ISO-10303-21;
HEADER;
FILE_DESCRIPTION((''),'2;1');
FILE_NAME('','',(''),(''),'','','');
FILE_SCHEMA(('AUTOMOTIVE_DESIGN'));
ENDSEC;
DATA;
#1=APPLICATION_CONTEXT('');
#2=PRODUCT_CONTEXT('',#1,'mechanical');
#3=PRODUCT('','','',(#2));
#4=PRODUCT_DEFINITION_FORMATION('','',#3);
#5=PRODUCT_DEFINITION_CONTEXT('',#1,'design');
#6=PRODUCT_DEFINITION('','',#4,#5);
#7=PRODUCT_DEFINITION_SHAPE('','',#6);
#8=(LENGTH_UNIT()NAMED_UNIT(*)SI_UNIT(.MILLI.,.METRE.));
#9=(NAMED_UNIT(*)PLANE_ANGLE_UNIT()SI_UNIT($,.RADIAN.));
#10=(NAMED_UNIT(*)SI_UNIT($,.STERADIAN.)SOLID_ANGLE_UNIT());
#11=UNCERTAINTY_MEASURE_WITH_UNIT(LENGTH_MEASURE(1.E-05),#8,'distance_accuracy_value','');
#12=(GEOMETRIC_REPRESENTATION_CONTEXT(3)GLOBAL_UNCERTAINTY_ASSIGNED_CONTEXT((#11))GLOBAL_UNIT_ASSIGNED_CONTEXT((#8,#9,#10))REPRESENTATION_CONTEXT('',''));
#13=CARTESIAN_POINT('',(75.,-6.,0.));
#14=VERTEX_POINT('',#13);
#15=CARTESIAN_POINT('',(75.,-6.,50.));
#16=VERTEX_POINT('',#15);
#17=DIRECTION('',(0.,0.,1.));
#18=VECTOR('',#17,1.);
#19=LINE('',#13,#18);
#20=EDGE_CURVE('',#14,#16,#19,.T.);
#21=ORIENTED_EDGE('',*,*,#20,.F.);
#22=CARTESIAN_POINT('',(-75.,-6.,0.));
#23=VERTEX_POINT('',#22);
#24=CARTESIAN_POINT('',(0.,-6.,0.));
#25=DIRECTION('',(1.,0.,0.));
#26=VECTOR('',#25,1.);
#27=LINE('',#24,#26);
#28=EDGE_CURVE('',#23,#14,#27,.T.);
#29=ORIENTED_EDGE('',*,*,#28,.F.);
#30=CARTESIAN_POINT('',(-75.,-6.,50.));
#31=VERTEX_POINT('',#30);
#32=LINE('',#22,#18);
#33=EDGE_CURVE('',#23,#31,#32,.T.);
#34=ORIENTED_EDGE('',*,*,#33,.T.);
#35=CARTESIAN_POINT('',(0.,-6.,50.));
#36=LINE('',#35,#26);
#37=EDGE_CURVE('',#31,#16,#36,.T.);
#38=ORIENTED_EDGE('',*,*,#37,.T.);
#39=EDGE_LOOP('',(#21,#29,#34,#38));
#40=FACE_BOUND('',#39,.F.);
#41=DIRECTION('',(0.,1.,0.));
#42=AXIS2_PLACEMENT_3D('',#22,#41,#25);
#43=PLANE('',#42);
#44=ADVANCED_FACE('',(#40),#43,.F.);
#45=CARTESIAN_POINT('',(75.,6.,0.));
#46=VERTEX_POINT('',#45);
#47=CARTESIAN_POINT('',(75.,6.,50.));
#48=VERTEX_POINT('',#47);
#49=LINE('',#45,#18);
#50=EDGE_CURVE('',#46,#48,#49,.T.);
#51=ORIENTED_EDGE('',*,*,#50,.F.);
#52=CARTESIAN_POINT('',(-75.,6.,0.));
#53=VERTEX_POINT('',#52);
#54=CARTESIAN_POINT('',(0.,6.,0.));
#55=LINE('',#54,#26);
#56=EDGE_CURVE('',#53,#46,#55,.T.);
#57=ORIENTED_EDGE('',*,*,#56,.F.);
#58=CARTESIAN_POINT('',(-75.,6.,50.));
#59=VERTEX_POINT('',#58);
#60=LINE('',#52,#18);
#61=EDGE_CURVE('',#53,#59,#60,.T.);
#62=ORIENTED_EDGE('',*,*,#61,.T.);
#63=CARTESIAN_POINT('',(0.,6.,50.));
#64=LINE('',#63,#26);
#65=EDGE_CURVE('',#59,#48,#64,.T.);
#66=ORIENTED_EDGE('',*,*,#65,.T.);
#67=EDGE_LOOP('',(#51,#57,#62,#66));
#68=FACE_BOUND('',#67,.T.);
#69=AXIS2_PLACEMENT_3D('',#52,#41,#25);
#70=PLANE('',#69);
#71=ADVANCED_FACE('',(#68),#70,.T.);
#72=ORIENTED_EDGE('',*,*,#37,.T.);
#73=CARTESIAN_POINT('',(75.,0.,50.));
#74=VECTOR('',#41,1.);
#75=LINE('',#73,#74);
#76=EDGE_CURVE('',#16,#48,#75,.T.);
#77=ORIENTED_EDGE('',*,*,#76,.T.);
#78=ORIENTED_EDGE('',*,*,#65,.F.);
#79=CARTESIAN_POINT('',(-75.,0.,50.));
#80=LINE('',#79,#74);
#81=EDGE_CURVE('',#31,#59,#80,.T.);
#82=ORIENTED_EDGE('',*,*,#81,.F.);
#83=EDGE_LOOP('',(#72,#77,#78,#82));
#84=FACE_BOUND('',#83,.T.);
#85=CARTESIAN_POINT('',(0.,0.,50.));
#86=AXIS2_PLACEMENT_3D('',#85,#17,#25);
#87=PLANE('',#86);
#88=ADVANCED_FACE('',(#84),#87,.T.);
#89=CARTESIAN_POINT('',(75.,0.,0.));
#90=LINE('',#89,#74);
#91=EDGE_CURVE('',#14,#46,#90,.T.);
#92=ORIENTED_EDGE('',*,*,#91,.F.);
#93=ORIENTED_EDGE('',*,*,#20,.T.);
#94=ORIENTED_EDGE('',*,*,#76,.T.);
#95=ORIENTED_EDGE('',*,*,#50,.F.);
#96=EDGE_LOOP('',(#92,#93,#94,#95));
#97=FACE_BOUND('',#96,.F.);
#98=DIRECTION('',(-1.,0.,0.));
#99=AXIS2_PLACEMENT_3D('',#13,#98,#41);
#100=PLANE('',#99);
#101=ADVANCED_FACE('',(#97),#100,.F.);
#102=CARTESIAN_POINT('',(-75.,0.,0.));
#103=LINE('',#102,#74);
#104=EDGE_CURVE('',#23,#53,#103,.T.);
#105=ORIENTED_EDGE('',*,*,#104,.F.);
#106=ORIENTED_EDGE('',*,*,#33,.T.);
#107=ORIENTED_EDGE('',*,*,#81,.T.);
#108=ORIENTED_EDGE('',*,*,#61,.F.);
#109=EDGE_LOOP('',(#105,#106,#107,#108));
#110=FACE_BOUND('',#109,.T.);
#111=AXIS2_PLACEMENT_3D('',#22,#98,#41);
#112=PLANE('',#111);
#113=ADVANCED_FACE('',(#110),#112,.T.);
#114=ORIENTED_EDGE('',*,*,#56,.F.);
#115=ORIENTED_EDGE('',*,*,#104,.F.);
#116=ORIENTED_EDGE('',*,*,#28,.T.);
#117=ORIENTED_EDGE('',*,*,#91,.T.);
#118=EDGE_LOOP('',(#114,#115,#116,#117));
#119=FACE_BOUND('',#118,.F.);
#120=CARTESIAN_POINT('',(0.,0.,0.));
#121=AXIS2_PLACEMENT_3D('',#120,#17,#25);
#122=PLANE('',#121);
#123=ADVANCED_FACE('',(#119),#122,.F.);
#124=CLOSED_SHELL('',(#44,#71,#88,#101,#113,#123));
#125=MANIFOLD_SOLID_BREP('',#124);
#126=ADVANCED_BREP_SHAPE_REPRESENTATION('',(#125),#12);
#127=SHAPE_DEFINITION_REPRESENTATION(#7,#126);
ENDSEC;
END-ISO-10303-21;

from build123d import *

# Parameters (mm, degrees)
SKETCH_W      = 150
SKETCH_H      = 12
EXTRUDE_DEPTH = 50


with BuildPart() as part:
    # Sketch → Extrude (new body)
    with BuildSketch(Plane.XY):
        Rectangle(SKETCH_W, SKETCH_H)
    extrude(amount=EXTRUDE_DEPTH)


solid = part.part
